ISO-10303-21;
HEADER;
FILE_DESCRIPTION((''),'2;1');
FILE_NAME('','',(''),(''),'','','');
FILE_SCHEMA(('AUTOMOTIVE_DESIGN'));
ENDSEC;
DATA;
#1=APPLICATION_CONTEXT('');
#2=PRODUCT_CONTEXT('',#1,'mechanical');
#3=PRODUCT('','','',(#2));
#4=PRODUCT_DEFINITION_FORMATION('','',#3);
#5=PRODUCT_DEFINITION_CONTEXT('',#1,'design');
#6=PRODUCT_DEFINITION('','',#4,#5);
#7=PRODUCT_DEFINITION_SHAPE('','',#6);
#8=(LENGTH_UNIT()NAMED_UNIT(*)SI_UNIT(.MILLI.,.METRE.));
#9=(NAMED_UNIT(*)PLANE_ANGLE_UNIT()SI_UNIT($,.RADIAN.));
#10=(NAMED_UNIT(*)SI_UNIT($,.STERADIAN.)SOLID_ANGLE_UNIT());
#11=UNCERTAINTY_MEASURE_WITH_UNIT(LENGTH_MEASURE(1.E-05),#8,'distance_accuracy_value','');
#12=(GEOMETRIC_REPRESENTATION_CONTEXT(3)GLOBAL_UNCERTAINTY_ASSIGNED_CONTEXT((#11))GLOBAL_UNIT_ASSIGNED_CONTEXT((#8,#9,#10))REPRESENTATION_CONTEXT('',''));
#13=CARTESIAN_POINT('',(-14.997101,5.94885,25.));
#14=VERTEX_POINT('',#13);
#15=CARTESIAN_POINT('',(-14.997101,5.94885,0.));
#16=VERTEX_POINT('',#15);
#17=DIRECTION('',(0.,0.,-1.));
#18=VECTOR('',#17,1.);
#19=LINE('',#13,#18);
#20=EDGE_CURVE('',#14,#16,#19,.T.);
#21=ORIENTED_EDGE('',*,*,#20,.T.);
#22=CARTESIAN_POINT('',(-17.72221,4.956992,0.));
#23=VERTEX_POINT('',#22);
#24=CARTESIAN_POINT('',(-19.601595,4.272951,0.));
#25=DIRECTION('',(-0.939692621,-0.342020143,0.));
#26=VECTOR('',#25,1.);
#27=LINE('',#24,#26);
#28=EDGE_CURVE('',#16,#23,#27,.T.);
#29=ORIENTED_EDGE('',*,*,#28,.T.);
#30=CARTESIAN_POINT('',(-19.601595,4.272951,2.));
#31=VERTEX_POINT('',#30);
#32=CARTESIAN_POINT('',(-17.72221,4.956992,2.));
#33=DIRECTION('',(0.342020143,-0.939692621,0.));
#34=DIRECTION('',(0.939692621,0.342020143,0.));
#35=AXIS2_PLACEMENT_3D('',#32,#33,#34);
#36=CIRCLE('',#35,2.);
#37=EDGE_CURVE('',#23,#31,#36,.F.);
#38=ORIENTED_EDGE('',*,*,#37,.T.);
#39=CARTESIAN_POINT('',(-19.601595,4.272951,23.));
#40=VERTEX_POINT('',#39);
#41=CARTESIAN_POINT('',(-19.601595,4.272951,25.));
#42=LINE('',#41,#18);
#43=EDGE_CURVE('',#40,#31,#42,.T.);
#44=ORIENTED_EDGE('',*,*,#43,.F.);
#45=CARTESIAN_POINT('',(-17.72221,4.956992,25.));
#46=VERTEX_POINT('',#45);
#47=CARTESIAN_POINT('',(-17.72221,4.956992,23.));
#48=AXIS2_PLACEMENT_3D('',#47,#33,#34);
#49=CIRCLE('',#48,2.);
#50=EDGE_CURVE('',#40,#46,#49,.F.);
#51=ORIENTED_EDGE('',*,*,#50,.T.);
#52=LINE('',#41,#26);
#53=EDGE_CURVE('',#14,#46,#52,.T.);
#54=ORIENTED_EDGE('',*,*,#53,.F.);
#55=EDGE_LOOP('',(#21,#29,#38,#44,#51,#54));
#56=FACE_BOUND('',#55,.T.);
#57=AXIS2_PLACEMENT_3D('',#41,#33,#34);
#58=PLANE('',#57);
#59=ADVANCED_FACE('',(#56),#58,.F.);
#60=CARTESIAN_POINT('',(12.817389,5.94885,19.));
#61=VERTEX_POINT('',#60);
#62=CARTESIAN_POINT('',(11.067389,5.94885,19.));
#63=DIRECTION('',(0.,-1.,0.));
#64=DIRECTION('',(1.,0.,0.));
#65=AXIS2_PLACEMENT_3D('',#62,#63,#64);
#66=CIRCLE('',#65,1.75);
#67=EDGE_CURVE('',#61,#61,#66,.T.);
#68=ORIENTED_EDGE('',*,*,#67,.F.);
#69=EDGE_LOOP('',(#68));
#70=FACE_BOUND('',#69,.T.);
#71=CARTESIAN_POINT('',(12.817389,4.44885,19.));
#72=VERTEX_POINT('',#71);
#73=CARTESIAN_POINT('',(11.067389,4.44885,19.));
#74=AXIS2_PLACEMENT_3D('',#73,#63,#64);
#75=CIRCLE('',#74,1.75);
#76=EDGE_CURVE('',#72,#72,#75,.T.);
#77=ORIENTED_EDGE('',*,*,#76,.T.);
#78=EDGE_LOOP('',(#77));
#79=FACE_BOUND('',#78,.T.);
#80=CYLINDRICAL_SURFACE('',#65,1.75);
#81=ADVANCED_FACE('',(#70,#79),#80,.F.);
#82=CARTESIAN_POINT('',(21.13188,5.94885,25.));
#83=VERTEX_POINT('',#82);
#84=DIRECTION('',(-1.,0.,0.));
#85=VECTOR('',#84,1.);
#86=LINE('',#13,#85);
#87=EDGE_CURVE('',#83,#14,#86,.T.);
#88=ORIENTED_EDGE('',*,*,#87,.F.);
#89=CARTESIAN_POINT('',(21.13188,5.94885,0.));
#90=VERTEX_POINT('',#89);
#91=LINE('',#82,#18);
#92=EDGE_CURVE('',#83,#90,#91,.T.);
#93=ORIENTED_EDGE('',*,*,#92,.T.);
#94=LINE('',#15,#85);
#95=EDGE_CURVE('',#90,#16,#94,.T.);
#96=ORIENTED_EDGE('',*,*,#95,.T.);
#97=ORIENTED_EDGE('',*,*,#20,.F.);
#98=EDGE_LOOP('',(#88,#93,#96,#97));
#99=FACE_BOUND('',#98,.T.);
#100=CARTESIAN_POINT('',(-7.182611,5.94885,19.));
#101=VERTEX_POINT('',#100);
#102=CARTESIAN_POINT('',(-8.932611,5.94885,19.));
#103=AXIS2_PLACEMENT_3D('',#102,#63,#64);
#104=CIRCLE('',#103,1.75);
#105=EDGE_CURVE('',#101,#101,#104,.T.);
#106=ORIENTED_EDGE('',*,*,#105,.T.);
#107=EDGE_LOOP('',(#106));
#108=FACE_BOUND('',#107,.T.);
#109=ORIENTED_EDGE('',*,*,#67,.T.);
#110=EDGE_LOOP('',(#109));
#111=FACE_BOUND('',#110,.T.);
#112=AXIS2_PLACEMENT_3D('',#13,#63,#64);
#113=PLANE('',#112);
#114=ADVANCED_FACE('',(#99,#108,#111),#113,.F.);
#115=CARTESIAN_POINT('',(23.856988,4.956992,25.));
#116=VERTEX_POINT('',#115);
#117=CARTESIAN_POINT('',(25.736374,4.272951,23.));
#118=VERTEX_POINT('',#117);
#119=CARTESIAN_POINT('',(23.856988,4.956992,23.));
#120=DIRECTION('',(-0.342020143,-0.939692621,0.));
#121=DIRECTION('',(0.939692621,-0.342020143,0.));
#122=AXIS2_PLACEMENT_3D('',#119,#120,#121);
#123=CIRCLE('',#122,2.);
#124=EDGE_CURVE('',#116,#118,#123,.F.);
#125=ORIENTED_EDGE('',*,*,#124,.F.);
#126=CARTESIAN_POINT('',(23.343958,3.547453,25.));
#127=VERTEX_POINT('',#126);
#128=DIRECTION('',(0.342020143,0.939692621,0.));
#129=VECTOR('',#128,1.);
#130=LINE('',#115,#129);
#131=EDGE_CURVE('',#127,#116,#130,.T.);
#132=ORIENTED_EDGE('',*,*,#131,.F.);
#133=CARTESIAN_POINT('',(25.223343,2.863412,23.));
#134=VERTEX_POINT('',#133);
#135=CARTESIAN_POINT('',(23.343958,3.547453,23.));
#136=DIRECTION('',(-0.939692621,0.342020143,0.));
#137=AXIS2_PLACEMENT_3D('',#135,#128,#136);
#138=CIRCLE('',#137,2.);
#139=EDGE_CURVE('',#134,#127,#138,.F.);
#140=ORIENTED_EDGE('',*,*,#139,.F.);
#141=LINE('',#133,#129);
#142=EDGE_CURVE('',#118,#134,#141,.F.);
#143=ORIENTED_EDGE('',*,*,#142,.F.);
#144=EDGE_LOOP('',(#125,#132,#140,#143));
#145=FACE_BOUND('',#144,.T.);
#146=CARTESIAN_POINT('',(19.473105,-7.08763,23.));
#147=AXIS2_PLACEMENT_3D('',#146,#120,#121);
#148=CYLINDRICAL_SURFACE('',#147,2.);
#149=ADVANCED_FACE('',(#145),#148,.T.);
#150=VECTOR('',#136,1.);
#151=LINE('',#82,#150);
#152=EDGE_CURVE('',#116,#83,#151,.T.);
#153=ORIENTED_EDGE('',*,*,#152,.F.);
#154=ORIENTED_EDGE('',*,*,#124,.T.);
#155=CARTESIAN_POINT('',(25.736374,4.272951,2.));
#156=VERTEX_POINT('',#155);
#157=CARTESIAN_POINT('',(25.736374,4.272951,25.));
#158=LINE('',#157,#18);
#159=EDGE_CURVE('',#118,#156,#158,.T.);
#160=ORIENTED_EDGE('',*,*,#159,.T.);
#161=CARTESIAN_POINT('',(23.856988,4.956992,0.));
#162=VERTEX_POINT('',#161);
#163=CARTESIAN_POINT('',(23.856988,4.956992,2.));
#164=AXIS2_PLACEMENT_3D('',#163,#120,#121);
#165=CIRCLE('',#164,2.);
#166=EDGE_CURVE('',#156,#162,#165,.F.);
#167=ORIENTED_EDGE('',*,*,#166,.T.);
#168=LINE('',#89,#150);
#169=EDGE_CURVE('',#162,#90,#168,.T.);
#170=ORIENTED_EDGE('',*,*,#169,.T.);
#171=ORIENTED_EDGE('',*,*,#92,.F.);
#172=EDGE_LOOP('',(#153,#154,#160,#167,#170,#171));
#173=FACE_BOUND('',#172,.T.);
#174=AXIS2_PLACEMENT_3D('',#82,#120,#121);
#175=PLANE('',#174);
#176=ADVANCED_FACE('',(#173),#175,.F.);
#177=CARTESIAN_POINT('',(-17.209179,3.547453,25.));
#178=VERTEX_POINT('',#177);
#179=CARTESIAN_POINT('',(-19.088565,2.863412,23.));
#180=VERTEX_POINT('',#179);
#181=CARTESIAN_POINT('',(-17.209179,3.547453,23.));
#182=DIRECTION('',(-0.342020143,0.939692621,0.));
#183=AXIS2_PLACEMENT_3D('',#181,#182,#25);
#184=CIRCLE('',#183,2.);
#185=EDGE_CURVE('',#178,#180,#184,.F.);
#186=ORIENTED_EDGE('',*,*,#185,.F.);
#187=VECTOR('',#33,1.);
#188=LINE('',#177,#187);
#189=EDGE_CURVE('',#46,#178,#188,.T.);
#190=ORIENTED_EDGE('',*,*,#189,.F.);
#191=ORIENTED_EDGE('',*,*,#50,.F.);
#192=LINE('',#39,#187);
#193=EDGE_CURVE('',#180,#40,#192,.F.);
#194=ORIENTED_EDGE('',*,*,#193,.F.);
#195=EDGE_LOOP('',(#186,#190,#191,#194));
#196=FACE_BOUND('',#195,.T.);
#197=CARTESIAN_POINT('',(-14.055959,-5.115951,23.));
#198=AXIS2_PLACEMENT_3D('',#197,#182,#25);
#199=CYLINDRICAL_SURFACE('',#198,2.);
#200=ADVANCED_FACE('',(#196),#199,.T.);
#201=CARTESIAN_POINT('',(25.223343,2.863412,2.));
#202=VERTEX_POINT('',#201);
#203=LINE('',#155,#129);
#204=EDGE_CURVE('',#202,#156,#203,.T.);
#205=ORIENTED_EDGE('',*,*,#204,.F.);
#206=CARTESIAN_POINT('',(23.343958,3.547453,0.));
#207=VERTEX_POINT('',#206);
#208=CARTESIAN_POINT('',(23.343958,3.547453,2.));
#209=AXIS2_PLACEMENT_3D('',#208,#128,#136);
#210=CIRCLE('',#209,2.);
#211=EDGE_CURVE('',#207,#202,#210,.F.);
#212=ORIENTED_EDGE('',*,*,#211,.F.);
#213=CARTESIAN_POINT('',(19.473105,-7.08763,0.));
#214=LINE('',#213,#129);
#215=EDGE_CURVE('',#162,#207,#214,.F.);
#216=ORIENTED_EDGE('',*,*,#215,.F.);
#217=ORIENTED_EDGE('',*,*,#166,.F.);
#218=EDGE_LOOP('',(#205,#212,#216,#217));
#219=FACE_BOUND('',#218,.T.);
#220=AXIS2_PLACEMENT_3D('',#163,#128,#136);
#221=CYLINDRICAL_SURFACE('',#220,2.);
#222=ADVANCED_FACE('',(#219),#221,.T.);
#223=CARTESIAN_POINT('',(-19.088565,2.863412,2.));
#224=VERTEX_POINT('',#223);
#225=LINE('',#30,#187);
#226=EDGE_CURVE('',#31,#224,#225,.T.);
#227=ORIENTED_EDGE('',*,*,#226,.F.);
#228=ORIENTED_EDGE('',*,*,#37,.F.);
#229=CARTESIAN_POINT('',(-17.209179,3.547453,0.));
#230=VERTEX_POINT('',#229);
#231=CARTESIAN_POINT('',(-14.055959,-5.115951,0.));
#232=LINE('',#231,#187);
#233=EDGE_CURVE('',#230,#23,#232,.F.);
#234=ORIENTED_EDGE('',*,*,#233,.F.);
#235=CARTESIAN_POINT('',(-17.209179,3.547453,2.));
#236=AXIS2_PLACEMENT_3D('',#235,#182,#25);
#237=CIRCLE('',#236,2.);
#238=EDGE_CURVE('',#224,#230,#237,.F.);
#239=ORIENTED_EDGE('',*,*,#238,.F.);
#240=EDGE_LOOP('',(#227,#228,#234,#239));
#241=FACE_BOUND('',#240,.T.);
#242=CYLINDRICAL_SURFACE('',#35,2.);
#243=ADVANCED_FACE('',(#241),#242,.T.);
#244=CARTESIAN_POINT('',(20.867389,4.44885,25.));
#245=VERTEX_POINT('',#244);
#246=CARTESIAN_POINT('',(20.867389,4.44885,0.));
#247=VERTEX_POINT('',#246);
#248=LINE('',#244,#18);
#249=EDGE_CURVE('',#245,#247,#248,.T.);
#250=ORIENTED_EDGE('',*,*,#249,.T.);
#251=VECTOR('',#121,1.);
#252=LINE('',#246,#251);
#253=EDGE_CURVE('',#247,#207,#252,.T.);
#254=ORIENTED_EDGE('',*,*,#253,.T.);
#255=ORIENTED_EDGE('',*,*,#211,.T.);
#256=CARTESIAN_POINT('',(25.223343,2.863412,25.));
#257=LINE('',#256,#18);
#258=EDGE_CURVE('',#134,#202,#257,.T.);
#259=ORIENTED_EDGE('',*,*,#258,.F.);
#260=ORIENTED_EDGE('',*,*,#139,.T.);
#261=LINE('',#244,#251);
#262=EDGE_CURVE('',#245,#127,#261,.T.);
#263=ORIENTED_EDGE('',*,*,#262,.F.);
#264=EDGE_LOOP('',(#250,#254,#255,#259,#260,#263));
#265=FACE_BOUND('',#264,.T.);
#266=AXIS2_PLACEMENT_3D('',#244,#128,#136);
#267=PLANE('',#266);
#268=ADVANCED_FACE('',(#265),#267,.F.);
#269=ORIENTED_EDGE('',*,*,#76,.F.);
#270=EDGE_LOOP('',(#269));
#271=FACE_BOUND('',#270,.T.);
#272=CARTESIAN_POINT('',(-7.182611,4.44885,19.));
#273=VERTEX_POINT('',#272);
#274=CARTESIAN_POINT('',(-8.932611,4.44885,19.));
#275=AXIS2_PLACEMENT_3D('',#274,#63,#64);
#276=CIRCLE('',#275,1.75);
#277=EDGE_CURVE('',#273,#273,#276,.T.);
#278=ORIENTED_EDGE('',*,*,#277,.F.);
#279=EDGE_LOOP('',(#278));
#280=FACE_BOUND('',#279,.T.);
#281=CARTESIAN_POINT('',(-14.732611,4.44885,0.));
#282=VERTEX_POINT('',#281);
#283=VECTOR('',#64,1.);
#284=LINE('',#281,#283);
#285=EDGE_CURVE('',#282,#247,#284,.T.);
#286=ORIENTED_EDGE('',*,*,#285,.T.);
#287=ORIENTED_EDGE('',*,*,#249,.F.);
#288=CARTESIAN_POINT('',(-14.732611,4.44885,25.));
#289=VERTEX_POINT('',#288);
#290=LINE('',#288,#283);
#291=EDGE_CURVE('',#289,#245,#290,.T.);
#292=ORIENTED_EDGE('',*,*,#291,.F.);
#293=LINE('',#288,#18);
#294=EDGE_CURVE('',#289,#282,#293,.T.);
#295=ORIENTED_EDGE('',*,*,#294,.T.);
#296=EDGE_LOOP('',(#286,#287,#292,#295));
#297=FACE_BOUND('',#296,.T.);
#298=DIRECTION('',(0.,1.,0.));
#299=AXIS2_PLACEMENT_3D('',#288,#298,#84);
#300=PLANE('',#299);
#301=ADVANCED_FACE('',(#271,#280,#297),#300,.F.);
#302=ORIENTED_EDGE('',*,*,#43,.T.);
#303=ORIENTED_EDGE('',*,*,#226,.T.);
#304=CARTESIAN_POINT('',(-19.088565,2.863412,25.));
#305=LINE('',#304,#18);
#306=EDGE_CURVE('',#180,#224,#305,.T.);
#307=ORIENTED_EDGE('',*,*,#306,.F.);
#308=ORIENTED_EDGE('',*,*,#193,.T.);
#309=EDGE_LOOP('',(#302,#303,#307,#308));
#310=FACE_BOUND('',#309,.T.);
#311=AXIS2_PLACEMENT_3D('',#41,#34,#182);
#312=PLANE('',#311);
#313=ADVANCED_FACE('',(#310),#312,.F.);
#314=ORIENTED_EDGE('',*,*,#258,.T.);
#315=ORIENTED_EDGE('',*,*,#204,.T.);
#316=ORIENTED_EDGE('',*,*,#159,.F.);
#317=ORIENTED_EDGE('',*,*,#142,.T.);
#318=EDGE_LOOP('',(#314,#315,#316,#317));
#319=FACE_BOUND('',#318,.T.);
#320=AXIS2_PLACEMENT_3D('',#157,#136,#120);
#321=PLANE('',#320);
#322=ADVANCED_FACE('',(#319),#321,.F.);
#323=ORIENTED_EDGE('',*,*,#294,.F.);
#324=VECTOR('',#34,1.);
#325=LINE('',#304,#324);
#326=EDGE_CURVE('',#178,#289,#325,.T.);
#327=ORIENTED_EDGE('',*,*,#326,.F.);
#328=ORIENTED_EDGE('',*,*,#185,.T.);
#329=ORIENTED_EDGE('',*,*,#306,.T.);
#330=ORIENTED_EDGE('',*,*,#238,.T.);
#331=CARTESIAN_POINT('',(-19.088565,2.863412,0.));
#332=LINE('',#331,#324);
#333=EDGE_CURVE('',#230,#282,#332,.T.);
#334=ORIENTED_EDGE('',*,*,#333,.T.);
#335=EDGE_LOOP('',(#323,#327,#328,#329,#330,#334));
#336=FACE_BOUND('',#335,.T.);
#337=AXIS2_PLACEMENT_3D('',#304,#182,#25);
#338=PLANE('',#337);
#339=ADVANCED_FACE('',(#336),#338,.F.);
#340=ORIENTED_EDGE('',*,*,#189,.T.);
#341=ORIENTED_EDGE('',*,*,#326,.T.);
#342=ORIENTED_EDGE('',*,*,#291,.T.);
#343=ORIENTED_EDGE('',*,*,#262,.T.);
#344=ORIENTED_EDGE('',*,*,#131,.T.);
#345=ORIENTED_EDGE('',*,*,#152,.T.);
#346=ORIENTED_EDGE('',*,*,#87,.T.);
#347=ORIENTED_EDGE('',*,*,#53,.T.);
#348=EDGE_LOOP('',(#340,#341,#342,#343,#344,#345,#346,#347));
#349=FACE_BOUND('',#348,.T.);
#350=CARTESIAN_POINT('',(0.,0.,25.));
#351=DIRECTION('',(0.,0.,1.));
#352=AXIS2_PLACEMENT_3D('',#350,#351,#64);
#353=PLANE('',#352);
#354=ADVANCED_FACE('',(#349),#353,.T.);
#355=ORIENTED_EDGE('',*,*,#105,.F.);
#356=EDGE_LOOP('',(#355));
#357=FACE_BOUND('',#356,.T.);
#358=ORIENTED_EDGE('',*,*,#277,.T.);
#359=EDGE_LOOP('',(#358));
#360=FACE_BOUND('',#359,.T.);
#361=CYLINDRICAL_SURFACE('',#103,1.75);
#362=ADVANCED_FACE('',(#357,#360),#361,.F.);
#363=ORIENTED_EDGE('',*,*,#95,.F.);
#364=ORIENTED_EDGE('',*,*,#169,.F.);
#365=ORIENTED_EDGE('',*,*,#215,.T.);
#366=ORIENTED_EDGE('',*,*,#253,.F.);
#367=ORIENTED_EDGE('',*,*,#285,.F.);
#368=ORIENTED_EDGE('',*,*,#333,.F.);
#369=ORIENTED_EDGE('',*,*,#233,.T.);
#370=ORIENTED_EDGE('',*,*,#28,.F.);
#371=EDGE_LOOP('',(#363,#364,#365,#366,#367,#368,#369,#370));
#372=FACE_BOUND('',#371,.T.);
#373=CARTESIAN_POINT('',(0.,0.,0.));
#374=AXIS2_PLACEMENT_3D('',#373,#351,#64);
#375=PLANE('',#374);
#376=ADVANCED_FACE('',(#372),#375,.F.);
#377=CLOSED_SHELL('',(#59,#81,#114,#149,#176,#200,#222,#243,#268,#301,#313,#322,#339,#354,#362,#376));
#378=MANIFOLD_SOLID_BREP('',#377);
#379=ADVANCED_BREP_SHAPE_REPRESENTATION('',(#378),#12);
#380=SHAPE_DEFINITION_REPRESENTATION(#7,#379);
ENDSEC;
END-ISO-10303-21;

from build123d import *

# Parameters (mm, degrees)
BOSS_EXTRUDE1_DEPTH = 25
SKETCH2_R           = 1.75
CUT_EXTRUDE1_DEPTH  = 2.5
FILLET1_R           = 2


with BuildPart() as part:
    # Sketch1 → Boss-Extrude1 (new body)
    with BuildSketch(Plane.XY):
        Polygon((-19.601594954, 4.272951405), (-14.997101112, 5.948850108), (21.13187983, 5.948850108), (25.736373672, 4.272951405), (25.223343457, 2.863412474), (20.867389359, 4.448850108), (-14.732610641, 4.448850108), (-19.088564739, 2.863412474), align=None)
    extrude(amount=BOSS_EXTRUDE1_DEPTH)

    # Sketch2 → Cut-Extrude1 (cut, through all)
    with BuildSketch(Plane.XZ.offset(-4.448850108)):
        with Locations((-8.932610641, 19)):
            Circle(SKETCH2_R)
        with Locations((11.067389359, 19)):
            Circle(SKETCH2_R)
    extrude(amount=-CUT_EXTRUDE1_DEPTH, mode=Mode.SUBTRACT)

    # Fillet1
    fillet1_edges = [part.edges().sort_by_distance(p)[0] for p in [
        (-19.345079846, 3.56818194, 0),
        (25.479858564, 3.56818194, 25),
        (-19.345079846, 3.56818194, 25),
        (25.479858564, 3.56818194, 0),
    ]]
    fillet(fillet1_edges, radius=FILLET1_R)


solid = part.part
